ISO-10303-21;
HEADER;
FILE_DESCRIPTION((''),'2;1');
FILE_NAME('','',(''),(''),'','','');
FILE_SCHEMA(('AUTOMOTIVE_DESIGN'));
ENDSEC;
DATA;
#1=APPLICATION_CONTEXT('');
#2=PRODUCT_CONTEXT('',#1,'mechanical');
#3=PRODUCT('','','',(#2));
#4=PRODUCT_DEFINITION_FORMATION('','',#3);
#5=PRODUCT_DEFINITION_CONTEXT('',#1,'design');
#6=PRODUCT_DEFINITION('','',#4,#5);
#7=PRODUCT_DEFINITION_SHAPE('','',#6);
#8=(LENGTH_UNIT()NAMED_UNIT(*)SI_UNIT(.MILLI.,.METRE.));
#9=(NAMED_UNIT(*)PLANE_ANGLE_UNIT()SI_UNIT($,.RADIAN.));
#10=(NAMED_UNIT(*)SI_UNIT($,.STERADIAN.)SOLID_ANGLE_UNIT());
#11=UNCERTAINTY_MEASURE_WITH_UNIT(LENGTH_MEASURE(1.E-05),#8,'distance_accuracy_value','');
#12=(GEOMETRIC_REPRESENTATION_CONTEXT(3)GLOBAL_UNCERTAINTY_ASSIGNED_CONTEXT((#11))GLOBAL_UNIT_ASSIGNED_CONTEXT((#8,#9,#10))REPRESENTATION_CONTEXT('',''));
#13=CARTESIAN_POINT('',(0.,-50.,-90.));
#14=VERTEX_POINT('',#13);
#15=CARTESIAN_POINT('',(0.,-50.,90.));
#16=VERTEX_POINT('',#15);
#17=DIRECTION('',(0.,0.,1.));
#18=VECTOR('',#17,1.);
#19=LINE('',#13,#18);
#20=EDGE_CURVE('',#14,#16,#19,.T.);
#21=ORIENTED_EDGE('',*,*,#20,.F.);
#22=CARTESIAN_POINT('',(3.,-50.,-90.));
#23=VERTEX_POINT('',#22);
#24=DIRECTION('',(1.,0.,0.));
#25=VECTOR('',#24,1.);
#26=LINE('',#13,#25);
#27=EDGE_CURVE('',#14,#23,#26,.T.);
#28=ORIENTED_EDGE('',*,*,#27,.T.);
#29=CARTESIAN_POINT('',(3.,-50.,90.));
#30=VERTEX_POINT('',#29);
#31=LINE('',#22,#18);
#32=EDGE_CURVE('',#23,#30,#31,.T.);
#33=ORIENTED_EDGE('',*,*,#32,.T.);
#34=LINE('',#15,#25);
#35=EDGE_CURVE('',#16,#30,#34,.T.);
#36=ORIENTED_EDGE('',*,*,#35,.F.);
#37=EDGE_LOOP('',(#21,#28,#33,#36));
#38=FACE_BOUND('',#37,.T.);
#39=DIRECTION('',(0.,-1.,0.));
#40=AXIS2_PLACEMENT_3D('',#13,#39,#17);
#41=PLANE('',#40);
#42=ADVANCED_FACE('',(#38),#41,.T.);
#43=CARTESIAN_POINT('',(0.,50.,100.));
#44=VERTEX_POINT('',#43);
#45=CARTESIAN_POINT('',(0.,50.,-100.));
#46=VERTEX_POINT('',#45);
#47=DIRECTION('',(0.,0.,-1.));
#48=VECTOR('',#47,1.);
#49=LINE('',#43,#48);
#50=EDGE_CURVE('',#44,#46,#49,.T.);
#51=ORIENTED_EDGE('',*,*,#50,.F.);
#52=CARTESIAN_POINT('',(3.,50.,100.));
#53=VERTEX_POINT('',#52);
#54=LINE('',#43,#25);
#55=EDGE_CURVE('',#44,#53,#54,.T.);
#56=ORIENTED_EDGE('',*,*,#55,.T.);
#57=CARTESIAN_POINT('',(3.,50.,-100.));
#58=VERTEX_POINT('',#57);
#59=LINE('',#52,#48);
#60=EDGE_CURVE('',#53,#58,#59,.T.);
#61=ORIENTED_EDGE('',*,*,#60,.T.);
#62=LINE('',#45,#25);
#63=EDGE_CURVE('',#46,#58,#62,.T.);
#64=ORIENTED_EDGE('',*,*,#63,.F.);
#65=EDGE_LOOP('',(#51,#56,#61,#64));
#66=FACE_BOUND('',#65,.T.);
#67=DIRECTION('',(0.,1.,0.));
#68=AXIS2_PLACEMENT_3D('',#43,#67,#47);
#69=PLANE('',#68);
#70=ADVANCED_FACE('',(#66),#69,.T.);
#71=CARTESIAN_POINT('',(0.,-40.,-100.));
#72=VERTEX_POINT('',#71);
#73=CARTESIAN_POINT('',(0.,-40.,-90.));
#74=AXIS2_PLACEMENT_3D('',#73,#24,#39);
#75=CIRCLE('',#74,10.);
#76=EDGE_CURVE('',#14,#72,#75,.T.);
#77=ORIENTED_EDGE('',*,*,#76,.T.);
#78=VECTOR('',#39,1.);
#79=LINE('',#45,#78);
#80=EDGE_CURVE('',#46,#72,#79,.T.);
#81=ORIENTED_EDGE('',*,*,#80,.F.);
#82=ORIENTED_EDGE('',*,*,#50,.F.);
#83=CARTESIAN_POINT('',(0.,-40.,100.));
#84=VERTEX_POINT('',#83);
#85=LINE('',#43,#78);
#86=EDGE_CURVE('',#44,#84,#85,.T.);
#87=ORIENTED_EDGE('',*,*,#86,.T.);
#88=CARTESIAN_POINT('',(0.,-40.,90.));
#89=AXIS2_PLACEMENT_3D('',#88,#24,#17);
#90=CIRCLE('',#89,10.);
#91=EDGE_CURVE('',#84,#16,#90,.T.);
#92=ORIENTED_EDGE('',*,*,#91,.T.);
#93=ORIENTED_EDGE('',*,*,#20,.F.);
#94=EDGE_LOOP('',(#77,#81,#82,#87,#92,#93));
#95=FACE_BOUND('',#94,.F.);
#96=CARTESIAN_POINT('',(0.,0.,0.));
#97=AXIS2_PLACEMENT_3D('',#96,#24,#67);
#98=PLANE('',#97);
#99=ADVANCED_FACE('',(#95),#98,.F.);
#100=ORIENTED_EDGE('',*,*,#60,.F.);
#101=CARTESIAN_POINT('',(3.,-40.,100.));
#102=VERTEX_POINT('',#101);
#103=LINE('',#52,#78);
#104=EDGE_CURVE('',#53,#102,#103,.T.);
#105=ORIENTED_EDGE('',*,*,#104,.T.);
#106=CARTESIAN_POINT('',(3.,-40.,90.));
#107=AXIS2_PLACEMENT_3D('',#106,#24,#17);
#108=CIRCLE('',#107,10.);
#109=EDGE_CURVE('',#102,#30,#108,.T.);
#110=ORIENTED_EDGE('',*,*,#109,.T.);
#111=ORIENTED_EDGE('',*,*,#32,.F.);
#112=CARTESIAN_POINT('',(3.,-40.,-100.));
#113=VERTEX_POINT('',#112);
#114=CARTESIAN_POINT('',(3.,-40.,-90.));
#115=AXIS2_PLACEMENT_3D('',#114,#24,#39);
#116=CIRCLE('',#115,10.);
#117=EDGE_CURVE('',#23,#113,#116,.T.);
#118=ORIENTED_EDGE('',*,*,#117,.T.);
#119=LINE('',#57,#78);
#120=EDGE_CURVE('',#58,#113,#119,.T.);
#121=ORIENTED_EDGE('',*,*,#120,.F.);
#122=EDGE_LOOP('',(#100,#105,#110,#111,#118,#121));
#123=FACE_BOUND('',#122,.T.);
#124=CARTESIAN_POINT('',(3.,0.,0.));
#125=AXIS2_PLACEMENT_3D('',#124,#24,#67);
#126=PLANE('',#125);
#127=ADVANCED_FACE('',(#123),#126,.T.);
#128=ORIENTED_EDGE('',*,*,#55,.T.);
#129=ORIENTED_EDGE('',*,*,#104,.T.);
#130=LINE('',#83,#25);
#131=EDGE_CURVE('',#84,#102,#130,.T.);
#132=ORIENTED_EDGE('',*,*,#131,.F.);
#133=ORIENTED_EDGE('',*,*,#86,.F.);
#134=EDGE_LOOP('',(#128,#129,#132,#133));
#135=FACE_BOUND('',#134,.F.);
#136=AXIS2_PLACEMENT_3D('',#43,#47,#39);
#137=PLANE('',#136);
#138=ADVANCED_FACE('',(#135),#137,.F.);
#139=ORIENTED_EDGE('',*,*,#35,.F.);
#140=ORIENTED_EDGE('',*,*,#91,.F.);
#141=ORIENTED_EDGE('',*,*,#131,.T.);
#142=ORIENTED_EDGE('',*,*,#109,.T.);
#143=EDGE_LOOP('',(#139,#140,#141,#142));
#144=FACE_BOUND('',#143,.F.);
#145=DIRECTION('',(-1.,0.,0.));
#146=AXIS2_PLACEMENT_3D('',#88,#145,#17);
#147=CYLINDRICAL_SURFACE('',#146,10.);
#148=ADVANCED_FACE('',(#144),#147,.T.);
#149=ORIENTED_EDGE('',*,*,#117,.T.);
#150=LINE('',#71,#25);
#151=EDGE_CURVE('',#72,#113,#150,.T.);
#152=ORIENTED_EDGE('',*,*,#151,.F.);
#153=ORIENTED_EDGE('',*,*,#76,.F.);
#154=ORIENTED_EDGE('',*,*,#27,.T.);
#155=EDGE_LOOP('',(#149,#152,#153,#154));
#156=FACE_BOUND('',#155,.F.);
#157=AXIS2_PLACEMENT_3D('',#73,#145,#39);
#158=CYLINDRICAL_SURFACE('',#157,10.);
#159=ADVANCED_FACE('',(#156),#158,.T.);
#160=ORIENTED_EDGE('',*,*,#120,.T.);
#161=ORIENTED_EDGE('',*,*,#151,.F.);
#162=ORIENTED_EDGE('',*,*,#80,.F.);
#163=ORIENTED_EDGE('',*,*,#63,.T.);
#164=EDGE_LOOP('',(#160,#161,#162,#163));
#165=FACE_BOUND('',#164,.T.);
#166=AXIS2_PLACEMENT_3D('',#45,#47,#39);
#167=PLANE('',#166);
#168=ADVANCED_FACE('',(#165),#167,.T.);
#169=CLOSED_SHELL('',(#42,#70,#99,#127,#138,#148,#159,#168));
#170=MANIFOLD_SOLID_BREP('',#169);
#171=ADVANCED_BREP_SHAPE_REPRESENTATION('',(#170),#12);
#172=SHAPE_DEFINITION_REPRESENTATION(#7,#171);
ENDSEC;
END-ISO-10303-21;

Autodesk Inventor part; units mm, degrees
ref_plane "YZ Plane" through (0, 0, 0) normal (1, 0, 0) x (0, 1, 0)
ref_plane "XZ Plane" through (0, 0, 0) normal (0, 1, 0) x (-1, 0, 0)
ref_plane "XY Plane" through (0, 0, 0) normal (0, 0, 1) x (1, 0, 0)
sketch "Sketch1" plane through (0, 0, 0) normal (1, 0, 0) x (0, 1, 0)
  line L0 (-50, 100) -> (50, 100) construction
  line L1 (50, 100) -> (50, -100) construction
  line L2 (50, -100) -> (-50, -100) construction
  line L3 (-50, -100) -> (-50, 100) construction
  line L4 (-50, 100) -> (50, -100) construction
  line L5 (50, 100) -> (-50, -100) construction
  line L6 (50, 100) -> (-40, 100)
  line L7 (50, -100) -> (-40, -100)
  arc A0 (-40, 100) -> (-50, 90) centre (-40, 90) ccw
  arc A1 (-50, -90) -> (-40, -100) centre (-40, -90) ccw
  line L8 (-50, -90) -> (-50, 90)
  line L9 (50, 100) -> (50, -100)
  point P0 (0, 0)
  dimension "d0" = 100
  dimension "d1" = 200
  dimension "d2" = 90
  dimension "d3" = 90
extrude "Extrusion1" add sketch "Sketch1" along normal blind 3
equation "\"d3\" = d2"
properties material "PMMA Plastic"
